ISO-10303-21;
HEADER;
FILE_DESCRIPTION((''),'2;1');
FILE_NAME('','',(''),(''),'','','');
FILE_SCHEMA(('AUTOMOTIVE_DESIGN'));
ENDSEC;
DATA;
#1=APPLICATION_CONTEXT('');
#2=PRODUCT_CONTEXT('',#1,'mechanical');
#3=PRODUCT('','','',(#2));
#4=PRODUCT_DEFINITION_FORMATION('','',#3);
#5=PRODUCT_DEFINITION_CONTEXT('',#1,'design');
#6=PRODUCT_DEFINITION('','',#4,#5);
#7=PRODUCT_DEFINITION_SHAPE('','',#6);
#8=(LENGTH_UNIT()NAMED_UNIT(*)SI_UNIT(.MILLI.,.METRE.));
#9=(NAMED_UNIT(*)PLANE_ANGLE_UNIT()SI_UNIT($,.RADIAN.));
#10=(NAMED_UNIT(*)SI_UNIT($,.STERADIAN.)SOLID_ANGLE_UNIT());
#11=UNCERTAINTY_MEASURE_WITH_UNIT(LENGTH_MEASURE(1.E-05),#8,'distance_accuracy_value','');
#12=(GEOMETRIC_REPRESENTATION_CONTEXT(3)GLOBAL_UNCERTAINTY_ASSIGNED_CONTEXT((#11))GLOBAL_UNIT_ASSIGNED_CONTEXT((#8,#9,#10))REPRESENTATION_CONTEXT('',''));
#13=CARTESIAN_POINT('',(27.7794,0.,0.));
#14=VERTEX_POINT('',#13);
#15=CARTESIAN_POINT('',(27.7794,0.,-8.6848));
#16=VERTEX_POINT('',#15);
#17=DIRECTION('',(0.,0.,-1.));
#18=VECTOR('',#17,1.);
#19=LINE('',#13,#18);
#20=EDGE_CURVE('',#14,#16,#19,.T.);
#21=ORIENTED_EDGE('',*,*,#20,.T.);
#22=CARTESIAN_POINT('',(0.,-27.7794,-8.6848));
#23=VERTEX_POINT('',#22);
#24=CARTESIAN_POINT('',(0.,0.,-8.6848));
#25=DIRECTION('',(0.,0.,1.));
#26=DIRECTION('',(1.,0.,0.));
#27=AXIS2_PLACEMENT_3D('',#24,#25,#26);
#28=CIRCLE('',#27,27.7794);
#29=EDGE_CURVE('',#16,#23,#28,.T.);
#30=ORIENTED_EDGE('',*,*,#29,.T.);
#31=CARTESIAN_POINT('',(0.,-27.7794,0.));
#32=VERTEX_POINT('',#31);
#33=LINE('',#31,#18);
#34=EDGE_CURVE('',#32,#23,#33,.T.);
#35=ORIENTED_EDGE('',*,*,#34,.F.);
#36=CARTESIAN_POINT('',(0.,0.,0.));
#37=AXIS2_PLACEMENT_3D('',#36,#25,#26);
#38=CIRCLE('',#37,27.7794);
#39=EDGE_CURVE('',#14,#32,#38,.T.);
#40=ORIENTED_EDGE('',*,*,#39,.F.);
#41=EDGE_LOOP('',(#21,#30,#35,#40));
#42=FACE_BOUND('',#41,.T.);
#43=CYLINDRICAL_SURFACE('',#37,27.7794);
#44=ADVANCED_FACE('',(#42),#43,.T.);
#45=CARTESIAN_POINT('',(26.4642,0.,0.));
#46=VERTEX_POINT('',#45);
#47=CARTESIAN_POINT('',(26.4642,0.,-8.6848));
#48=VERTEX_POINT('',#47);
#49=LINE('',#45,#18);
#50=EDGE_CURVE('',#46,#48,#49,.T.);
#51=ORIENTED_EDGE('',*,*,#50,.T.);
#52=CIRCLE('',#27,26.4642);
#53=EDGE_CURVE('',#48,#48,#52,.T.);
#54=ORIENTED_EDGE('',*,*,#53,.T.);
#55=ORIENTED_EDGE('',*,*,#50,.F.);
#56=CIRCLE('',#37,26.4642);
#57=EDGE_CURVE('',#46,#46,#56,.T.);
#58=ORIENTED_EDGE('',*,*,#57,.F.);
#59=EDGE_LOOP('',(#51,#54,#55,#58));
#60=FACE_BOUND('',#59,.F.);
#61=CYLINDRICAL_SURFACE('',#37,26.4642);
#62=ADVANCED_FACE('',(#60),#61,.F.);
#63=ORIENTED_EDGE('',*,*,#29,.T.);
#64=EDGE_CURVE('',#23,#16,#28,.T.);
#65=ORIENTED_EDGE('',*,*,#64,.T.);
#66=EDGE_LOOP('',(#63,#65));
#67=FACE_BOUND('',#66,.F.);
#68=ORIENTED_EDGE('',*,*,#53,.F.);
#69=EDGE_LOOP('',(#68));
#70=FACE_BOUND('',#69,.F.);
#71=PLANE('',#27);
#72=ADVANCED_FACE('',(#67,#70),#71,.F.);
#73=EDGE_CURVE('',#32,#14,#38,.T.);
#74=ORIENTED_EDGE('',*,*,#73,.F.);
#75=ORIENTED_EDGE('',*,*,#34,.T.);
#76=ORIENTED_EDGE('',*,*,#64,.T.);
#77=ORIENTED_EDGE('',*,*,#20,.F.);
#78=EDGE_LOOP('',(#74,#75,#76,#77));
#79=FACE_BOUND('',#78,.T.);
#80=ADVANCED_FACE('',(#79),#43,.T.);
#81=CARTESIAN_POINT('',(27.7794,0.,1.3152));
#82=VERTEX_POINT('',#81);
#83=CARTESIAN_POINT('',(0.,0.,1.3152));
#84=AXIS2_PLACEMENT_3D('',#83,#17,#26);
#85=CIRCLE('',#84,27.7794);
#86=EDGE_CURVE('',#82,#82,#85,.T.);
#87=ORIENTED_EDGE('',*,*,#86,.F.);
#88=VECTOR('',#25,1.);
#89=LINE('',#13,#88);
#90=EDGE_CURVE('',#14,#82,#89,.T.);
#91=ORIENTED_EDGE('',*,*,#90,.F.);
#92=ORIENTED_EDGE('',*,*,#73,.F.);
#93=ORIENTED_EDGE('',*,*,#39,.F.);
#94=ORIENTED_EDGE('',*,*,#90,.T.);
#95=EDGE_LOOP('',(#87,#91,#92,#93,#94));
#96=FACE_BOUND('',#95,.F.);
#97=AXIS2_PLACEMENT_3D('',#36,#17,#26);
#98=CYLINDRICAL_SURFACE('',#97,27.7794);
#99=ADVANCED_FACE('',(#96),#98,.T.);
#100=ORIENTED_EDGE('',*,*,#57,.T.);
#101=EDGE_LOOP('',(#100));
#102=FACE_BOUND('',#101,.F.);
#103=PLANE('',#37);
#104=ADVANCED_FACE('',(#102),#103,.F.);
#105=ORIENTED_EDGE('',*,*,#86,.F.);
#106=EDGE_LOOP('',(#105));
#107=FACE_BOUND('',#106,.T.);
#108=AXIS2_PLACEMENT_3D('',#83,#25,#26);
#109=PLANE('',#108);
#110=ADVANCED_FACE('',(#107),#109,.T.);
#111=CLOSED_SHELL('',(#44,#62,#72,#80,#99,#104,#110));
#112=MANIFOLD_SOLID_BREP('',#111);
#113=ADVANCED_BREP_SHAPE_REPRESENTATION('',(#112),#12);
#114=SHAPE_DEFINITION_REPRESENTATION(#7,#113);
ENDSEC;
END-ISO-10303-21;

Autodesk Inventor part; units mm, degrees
ref_plane "YZ Plane" through (0, 0, 0) normal (1, 0, 0) x (0, 1, 0)
ref_plane "XZ Plane" through (0, 0, 0) normal (0, 1, 0) x (-1, 0, 0)
ref_plane "XY Plane" through (0, 0, 0) normal (0, 0, 1) x (1, 0, 0)
sketch "Sketch1" plane through (0, 0, 0) normal (0, 0, 1) x (1, 0, 0)
  circle A0 centre (0, 0) radius 27.7794
  line L0 (-15.1761, -27.7794) -> (15.5731, -27.7794)
  circle A1 centre (0, 0) radius 26.4642
  dimension "d13" = 55.5588
  dimension "SupportThickness" = 1.3152
extrude "Extrusion1" add sketch "Sketch1" along normal blind 1.3152 contours A0 | A1
extrude "Extrusion3" add sketch "Sketch1" against normal blind 8.6848
equation "\"d13\" = 1.1 * CrucibleOuterDiameter"
equation "\"d1\" = SupportThickness"
equation "\"d15\" = SupportHeight - SupportThickness"
equation "\"CrucibleOuterDiameter\" = 50.508"
equation "\"SupportHeight\" = 10"
properties part number "crucible_support"
